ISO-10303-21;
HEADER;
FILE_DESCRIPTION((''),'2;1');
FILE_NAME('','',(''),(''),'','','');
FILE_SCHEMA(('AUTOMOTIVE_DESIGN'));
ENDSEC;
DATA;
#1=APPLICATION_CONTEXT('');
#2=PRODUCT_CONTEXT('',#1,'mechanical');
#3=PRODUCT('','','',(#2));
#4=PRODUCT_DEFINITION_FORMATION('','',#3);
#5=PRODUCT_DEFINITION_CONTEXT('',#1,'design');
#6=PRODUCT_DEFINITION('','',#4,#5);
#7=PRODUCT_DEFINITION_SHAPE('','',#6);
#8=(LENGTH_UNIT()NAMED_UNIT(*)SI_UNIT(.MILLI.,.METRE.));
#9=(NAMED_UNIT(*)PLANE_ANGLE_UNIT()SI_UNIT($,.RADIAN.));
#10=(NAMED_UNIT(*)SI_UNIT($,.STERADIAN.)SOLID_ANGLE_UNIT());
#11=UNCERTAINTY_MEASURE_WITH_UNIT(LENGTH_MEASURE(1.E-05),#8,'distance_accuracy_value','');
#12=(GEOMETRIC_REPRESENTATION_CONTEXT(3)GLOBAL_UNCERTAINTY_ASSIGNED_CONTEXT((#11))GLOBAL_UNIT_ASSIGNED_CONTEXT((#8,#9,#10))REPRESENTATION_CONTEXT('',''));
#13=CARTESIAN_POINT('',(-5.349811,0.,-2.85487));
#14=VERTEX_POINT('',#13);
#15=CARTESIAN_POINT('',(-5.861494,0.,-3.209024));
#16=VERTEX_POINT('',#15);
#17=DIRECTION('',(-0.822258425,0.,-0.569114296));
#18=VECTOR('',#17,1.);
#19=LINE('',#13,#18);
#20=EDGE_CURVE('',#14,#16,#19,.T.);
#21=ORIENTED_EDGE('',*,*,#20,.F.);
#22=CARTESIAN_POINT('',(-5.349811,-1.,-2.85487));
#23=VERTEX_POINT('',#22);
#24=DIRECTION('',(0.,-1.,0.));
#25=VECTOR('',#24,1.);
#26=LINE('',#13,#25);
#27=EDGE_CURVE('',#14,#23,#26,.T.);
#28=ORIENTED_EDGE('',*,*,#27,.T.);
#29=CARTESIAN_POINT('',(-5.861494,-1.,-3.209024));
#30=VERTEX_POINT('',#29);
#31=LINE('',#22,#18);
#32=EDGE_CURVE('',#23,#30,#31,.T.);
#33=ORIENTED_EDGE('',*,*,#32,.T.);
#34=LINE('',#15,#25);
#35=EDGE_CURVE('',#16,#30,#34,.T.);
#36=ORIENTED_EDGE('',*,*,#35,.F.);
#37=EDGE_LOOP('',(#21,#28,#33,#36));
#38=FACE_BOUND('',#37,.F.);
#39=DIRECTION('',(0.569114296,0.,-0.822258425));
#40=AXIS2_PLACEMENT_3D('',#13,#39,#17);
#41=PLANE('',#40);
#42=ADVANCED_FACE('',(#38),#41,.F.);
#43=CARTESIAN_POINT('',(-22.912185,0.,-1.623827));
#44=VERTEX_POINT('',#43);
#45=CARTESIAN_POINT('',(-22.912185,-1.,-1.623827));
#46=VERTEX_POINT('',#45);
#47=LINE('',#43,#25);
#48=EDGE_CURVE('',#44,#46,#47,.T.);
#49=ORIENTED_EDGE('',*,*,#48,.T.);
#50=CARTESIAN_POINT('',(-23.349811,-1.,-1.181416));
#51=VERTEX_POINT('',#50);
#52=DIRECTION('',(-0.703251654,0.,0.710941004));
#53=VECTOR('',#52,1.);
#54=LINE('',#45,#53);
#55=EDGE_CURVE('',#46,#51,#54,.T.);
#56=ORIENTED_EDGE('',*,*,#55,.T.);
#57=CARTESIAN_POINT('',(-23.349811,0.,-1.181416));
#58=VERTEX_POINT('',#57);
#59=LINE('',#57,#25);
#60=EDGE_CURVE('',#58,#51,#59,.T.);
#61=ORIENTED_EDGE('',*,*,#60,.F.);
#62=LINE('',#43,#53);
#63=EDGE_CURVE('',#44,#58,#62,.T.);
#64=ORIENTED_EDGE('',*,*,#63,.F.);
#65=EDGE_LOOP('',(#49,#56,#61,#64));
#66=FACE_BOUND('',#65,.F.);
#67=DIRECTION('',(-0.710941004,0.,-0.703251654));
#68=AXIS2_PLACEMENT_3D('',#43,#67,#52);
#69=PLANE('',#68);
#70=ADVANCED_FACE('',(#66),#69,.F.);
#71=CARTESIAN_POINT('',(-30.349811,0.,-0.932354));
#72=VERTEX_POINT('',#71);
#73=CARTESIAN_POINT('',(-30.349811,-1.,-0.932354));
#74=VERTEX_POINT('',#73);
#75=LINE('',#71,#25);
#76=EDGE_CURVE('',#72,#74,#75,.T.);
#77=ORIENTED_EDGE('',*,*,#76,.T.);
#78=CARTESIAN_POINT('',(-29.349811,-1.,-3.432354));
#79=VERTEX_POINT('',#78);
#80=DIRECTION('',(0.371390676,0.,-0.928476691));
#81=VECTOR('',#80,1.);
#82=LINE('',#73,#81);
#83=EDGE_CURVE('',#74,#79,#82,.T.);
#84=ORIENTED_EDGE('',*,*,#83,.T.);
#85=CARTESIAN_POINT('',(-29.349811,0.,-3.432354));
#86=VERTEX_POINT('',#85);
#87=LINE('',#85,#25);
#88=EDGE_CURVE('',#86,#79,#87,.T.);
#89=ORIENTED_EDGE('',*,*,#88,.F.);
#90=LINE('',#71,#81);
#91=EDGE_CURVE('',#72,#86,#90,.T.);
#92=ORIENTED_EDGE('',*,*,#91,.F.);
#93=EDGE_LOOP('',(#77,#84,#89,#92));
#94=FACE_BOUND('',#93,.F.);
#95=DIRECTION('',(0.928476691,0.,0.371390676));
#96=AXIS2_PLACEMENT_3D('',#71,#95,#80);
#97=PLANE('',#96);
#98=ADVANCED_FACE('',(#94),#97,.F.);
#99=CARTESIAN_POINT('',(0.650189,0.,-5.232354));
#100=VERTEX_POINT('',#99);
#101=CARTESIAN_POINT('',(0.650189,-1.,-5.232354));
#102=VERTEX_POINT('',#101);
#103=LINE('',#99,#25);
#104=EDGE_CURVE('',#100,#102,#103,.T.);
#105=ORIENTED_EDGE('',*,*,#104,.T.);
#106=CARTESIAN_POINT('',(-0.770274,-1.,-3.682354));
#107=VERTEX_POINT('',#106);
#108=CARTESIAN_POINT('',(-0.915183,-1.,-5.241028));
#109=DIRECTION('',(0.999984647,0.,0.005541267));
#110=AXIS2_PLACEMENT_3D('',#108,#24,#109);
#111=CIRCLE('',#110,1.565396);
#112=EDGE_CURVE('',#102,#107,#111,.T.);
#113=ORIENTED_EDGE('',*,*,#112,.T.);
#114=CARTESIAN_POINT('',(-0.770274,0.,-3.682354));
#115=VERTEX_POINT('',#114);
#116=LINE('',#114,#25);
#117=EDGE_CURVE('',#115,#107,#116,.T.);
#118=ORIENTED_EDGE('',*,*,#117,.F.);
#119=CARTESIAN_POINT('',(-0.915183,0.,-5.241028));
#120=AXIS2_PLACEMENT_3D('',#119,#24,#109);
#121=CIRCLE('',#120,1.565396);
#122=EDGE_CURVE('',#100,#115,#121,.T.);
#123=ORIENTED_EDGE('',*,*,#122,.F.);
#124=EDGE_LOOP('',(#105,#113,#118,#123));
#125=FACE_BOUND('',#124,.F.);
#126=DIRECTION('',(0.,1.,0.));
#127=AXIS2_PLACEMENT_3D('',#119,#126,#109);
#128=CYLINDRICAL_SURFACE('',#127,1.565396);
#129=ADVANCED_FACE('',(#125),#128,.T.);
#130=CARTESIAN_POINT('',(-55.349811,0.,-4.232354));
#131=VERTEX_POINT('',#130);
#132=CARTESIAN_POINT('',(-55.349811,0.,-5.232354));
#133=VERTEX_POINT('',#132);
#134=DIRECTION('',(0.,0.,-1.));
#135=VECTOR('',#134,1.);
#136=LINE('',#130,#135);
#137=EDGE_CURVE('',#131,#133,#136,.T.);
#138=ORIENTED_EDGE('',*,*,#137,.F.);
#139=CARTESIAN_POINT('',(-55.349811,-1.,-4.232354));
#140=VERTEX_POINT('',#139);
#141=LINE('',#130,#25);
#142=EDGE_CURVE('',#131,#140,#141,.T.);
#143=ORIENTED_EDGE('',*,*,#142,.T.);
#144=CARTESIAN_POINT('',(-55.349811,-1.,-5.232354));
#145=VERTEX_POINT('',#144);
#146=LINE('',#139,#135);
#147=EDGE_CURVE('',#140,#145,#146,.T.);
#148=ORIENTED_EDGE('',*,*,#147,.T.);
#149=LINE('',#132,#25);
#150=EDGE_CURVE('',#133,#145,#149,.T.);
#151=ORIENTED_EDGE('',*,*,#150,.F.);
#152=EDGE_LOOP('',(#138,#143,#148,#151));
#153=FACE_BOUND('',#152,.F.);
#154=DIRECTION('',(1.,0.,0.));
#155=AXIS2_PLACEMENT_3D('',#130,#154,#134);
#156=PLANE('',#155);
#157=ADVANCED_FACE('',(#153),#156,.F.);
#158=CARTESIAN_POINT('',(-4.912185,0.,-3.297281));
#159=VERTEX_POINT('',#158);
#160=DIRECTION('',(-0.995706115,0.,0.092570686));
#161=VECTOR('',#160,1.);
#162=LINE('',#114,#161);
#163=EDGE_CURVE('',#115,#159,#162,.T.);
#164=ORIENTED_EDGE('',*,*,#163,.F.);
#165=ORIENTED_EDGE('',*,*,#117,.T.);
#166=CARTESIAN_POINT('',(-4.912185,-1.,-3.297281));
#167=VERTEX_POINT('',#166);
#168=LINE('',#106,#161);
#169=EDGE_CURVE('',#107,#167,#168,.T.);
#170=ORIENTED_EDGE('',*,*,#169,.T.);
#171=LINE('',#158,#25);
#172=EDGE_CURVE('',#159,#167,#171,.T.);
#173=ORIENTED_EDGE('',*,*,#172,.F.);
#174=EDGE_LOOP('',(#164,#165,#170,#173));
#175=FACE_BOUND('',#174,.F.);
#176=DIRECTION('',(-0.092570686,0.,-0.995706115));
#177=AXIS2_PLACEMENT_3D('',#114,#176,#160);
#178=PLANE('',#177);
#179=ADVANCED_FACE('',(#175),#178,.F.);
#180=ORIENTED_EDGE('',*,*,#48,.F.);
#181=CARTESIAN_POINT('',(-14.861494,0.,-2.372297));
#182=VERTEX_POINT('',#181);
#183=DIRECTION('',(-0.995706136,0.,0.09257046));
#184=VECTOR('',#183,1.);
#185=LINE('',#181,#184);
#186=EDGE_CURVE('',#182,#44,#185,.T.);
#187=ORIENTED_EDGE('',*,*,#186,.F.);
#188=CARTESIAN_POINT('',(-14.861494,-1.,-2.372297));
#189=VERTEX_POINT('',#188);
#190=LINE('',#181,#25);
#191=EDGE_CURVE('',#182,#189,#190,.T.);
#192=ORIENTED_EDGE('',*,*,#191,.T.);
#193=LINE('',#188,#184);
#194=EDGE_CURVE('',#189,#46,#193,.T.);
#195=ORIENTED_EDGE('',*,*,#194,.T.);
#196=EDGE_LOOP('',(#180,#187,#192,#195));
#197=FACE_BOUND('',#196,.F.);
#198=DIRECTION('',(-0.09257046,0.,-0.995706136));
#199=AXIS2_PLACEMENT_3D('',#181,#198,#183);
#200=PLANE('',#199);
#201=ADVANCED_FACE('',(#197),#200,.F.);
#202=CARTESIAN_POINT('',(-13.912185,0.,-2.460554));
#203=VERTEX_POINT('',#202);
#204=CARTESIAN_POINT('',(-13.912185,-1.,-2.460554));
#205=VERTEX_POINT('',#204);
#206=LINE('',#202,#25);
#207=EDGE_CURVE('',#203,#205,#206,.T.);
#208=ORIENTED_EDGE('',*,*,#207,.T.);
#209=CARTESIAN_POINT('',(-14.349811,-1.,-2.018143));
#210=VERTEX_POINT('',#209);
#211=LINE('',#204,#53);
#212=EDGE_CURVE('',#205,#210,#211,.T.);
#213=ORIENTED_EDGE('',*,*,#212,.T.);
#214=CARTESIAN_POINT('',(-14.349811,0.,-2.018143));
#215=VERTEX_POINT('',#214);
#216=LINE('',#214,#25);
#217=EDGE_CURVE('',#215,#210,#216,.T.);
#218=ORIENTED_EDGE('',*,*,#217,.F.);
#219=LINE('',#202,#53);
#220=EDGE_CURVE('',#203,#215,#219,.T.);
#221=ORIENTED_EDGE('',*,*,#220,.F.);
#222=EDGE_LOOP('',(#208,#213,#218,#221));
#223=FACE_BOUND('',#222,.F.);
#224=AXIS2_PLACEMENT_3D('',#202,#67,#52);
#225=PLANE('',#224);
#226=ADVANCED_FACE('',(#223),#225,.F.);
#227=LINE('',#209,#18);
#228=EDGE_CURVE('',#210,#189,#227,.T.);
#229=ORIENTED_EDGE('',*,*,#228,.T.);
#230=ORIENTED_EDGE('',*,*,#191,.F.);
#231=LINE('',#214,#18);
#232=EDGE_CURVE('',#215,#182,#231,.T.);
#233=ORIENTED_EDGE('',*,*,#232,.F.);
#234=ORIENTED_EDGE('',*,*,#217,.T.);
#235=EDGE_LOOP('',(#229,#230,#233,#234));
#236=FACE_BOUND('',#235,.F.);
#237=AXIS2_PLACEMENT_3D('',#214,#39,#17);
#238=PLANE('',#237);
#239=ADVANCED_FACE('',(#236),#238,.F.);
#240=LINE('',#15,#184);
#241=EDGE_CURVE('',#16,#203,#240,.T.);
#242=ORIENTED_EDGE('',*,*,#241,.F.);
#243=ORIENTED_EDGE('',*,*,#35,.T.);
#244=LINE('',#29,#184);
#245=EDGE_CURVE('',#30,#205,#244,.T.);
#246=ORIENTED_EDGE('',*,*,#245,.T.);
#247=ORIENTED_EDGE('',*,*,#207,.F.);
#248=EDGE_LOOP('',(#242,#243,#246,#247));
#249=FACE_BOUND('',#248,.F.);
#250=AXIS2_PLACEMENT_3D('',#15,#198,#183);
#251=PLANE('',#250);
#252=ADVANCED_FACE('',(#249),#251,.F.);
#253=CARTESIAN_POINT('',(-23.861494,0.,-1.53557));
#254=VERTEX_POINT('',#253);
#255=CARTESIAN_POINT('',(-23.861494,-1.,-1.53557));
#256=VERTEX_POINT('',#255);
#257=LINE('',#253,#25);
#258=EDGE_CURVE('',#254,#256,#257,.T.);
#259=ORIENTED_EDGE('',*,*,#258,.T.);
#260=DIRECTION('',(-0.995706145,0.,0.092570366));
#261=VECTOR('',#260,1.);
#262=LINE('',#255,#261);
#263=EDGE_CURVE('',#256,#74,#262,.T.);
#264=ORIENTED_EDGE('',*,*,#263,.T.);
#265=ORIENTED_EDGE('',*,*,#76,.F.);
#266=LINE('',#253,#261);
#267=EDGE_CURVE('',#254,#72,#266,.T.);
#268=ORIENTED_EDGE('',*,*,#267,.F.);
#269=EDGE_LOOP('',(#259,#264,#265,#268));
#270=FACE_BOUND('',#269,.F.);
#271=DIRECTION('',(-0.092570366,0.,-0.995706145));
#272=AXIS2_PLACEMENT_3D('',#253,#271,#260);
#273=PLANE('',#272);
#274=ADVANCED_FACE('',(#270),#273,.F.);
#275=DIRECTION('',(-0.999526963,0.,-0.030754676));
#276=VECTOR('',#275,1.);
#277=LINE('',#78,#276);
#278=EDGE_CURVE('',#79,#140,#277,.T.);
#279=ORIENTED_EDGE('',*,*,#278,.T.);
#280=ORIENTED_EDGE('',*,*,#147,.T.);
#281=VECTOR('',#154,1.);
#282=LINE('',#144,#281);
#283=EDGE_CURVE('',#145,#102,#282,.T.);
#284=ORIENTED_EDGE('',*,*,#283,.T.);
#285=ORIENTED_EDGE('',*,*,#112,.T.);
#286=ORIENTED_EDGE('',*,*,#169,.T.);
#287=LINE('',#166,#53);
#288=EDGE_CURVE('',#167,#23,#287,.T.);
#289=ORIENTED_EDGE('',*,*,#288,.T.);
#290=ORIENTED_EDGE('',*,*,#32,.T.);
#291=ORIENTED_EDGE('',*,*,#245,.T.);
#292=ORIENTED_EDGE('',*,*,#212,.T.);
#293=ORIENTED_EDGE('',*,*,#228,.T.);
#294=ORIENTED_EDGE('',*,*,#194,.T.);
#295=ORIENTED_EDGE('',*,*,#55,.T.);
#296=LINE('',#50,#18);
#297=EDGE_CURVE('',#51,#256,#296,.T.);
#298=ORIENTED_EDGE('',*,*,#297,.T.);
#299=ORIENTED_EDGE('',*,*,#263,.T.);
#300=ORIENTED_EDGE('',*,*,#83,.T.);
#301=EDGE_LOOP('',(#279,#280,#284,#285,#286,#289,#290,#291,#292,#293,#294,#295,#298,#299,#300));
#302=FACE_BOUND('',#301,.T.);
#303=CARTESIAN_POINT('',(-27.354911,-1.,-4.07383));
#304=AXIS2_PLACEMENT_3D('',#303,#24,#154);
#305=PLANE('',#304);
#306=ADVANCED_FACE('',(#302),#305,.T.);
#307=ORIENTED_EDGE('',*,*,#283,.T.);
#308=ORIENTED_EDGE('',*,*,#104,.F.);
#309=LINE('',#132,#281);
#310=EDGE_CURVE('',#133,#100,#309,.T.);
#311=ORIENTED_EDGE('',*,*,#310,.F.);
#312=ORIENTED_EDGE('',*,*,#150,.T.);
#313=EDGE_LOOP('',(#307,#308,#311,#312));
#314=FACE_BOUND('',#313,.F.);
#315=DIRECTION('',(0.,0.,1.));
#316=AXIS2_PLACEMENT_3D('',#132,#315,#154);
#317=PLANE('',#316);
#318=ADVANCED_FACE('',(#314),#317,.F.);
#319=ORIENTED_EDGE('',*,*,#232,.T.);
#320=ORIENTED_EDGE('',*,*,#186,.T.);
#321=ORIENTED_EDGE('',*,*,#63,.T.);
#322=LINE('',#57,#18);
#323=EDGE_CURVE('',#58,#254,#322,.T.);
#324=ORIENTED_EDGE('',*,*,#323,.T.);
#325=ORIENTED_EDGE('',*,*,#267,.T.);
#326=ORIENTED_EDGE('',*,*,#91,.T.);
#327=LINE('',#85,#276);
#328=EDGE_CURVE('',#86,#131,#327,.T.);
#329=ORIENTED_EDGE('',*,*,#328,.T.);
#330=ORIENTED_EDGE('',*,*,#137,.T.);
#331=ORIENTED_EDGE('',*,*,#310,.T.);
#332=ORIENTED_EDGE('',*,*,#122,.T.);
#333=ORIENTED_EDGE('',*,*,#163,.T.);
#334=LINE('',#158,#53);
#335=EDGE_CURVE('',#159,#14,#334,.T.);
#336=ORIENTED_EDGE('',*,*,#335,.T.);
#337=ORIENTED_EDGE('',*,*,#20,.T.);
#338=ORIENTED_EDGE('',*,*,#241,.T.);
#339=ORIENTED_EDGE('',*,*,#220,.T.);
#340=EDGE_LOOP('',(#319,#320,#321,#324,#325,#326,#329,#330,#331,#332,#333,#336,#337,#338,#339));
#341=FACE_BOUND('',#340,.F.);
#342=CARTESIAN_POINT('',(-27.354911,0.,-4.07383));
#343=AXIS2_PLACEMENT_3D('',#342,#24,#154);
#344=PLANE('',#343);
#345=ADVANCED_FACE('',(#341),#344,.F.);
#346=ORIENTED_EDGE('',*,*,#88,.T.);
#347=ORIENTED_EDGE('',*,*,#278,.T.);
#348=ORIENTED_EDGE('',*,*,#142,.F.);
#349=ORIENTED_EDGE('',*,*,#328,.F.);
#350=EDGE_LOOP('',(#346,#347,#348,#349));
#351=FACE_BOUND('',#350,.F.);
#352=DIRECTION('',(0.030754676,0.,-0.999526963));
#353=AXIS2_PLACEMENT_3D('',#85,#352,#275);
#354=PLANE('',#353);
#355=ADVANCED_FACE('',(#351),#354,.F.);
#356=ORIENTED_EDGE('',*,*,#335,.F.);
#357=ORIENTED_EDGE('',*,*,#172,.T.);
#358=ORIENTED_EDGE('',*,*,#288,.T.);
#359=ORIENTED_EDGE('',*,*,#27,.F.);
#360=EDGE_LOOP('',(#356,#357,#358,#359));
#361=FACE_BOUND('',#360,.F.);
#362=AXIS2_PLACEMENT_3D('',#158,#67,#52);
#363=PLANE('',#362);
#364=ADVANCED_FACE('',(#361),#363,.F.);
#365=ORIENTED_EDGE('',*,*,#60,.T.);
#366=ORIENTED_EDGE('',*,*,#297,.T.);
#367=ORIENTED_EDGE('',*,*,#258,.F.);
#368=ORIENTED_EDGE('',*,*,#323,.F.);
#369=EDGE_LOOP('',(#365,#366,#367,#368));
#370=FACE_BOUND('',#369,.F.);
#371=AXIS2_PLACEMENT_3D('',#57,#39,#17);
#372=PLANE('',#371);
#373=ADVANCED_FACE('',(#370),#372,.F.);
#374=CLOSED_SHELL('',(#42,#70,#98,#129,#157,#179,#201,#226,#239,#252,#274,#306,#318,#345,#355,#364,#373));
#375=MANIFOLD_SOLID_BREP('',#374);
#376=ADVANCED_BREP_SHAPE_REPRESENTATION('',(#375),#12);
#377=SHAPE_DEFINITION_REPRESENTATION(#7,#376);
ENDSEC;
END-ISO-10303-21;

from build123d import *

# Parameters (mm, degrees)
F1_DEPTH = 1


with BuildPart() as f1:
    # F0 (on Front) → F1 (new body)
    with BuildSketch(Plane.XZ):
        with BuildLine():
            Line((-55.349811, -4.232354), (-55.349811, -5.232354))
            Line((-55.349811, -5.232354), (0.650189, -5.232354))
            ThreePointArc((0.650189, -5.232354), (0.238892, -4.183401), (-0.770274, -3.682354))
            Line((-0.770274, -3.682354), (-4.912185, -3.297281))
            Line((-4.912185, -3.297281), (-5.349811, -2.85487))
            Line((-5.349811, -2.85487), (-5.861494, -3.209024))
            Line((-5.861494, -3.209024), (-13.912185, -2.460554))
            Line((-13.912185, -2.460554), (-14.349811, -2.018143))
            Line((-14.349811, -2.018143), (-14.861494, -2.372297))
            Line((-14.861494, -2.372297), (-22.912185, -1.623827))
            Line((-22.912185, -1.623827), (-23.349811, -1.181416))
            Line((-23.349811, -1.181416), (-23.861494, -1.53557))
            Line((-23.861494, -1.53557), (-30.349811, -0.932354))
            Line((-30.349811, -0.932354), (-29.349811, -3.432354))
            Line((-29.349811, -3.432354), (-55.349811, -4.232354))
        make_face()
    extrude(amount=F1_DEPTH)


solid = f1.part
